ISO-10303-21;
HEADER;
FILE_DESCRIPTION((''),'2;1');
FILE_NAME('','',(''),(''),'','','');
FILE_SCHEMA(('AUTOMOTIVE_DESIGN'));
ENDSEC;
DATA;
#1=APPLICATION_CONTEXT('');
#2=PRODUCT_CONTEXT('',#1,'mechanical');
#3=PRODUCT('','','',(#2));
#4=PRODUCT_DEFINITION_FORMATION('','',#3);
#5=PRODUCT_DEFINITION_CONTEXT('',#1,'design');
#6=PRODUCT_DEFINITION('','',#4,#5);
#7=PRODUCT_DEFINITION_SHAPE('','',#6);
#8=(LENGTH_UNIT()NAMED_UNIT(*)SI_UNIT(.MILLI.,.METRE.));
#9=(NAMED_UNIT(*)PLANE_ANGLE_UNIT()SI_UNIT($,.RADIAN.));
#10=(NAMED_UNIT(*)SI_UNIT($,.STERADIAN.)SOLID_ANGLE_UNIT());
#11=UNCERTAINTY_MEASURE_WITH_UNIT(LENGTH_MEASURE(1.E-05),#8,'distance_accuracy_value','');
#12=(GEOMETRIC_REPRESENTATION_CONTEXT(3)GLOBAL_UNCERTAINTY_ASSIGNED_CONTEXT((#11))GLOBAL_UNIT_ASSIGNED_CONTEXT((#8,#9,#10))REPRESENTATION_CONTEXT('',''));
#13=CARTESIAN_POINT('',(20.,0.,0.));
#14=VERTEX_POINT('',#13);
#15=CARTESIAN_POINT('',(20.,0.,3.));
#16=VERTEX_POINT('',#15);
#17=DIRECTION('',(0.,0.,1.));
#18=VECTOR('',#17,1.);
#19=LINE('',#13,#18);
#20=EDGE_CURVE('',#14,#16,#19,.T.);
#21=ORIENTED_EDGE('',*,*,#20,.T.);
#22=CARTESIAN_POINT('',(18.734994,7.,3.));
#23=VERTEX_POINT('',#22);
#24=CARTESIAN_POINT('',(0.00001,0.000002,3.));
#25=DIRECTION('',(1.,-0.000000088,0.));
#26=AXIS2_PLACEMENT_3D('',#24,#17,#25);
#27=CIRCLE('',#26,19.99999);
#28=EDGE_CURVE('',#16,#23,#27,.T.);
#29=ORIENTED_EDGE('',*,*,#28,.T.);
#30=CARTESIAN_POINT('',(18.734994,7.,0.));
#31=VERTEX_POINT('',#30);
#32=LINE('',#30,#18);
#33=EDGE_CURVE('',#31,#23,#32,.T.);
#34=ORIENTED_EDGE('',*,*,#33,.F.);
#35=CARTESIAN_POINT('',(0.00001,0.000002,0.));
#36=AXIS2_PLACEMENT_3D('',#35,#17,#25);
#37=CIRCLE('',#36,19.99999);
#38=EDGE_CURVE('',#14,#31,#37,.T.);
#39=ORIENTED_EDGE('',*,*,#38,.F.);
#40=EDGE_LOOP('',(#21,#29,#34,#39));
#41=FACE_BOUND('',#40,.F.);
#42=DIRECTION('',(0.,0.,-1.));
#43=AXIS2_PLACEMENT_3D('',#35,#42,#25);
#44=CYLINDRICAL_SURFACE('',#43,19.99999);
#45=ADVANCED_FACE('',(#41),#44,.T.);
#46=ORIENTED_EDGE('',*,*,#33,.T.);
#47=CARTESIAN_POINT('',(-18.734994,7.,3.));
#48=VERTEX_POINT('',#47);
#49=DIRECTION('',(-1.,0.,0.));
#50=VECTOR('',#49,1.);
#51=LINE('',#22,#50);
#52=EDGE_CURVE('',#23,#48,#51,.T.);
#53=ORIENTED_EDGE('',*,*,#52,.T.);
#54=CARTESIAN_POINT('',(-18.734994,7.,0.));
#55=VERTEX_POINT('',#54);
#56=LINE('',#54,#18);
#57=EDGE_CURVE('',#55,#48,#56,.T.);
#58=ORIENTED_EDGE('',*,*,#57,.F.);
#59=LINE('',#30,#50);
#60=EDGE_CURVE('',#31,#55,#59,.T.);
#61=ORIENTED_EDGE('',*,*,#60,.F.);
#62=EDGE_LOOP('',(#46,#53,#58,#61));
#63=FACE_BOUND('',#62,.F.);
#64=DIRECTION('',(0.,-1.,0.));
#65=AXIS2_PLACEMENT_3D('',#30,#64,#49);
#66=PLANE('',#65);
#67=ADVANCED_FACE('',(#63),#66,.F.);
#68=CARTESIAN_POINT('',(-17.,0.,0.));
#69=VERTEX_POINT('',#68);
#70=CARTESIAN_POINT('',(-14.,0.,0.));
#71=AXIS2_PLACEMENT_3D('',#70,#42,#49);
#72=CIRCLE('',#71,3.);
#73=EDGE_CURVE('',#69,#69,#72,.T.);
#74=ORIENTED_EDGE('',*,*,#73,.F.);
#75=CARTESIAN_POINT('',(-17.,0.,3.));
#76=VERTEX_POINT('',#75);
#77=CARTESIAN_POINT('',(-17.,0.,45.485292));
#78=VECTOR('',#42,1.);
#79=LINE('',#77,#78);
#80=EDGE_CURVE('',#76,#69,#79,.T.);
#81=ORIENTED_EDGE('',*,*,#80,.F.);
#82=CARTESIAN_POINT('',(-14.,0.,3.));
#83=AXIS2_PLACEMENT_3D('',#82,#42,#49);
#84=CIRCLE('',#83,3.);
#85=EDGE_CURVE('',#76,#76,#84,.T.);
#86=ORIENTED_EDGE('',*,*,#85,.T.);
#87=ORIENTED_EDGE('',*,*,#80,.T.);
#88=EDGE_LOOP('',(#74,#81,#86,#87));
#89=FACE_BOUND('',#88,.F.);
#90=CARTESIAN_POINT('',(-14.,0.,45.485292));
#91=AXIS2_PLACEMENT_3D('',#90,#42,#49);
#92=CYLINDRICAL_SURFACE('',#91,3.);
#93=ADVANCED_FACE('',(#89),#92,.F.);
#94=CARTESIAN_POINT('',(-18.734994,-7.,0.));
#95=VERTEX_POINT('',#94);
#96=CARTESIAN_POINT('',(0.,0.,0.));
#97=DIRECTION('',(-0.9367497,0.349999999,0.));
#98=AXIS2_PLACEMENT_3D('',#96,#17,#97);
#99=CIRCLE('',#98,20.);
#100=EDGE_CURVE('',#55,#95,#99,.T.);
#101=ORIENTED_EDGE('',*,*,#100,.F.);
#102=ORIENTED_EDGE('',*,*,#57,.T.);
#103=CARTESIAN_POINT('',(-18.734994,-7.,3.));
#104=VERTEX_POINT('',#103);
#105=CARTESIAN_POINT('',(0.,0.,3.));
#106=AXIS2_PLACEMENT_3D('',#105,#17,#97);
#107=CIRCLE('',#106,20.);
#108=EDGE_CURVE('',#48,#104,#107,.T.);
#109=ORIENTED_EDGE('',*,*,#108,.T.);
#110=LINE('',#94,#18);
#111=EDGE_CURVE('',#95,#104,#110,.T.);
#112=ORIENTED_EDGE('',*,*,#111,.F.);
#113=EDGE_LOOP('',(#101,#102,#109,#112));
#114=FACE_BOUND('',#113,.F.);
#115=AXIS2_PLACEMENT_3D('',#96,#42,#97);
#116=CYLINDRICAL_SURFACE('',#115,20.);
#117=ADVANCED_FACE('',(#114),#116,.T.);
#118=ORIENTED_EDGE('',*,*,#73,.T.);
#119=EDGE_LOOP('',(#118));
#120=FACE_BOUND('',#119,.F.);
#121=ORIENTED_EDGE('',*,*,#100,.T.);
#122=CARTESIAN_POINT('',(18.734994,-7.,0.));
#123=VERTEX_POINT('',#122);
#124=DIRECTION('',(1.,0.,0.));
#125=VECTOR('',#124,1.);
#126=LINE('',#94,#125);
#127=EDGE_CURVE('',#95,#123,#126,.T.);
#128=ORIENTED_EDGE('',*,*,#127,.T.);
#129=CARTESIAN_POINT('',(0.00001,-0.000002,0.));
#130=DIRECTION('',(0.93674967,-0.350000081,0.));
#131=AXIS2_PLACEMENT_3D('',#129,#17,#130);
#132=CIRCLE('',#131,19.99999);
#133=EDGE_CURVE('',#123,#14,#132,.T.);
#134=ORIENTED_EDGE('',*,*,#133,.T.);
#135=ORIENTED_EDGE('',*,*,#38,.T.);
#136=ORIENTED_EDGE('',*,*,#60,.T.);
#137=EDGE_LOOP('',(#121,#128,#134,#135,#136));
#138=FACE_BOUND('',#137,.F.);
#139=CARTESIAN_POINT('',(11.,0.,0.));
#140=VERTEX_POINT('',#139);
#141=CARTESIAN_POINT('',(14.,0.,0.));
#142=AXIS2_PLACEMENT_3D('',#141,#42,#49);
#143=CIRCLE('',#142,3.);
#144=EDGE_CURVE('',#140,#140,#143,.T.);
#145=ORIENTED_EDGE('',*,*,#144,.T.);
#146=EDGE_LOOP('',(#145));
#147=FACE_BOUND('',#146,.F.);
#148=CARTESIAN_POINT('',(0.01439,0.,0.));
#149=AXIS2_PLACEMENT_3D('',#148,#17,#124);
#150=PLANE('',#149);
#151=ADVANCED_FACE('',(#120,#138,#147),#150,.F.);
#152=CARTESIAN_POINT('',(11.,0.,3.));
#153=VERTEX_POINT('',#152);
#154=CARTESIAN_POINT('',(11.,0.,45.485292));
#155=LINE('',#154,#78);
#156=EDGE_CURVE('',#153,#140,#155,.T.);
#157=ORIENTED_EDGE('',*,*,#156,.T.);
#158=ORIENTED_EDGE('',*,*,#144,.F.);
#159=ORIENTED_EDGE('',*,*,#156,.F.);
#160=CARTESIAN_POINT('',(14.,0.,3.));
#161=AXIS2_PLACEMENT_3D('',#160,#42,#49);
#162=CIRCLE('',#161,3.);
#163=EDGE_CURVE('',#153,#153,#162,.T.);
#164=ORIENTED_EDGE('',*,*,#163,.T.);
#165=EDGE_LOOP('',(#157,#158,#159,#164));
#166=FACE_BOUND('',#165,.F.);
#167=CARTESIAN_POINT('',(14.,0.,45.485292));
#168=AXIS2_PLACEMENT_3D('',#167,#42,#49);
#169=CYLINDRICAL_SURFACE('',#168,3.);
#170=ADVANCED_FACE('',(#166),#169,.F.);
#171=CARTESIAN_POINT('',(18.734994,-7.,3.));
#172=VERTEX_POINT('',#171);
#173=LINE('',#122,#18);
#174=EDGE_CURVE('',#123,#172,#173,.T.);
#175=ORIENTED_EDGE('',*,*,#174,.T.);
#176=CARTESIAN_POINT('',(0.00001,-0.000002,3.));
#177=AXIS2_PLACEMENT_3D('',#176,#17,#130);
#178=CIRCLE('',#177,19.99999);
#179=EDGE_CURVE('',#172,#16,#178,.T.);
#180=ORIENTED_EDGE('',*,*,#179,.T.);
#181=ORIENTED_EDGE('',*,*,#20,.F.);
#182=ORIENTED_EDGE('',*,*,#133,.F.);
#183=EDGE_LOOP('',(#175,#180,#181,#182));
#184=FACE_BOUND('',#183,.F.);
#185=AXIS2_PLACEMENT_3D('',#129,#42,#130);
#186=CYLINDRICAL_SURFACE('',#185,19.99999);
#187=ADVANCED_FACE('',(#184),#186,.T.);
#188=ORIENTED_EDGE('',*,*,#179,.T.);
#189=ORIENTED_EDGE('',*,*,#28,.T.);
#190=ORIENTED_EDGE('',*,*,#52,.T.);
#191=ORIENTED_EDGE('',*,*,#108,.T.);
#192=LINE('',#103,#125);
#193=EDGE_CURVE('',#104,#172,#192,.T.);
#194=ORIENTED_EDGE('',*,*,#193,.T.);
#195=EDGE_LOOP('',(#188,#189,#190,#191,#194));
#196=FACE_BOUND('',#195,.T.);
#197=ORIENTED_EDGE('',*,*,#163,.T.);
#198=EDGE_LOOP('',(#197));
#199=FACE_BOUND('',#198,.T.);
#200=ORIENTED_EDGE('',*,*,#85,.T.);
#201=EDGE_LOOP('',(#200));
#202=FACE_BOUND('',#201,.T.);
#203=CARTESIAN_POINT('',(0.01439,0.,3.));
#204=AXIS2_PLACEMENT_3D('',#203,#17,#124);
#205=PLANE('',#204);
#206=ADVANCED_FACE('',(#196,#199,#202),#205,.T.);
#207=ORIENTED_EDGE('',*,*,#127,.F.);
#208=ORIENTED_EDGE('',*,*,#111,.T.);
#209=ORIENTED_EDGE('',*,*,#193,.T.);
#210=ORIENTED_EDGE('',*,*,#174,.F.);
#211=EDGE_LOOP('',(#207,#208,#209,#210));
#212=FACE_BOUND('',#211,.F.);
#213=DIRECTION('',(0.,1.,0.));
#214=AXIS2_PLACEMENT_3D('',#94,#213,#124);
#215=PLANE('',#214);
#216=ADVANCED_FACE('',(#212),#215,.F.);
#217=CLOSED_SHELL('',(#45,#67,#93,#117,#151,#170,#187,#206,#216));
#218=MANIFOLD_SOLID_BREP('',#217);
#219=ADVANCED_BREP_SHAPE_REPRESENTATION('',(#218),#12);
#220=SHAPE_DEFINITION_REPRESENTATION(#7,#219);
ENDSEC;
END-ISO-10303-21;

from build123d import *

# Parameters (mm, degrees)
F1_DEPTH = 3
F3_D     = 6


with BuildPart() as f1:
    # F0 (on Top) → F1 (new body)
    with BuildSketch(Plane.XY):
        with BuildLine():
            ThreePointArc((18.734994, -7), (19.681208, -3.556692), (20, 0))
            ThreePointArc((20, 0), (19.681208, 3.556692), (18.734994, 7))
            Line((18.734994, 7), (-18.734994, 7))
            ThreePointArc((-18.734994, 7), (-20, 0), (-18.734994, -7))
            Line((-18.734994, -7), (18.734994, -7))
        make_face()
    extrude(amount=F1_DEPTH)

    # F3 (through all)
    with Locations(Plane.XY.offset(3)):
        with Locations((-14, 0), (14, 0)):
            Hole(F3_D / 2)


solid = f1.part
